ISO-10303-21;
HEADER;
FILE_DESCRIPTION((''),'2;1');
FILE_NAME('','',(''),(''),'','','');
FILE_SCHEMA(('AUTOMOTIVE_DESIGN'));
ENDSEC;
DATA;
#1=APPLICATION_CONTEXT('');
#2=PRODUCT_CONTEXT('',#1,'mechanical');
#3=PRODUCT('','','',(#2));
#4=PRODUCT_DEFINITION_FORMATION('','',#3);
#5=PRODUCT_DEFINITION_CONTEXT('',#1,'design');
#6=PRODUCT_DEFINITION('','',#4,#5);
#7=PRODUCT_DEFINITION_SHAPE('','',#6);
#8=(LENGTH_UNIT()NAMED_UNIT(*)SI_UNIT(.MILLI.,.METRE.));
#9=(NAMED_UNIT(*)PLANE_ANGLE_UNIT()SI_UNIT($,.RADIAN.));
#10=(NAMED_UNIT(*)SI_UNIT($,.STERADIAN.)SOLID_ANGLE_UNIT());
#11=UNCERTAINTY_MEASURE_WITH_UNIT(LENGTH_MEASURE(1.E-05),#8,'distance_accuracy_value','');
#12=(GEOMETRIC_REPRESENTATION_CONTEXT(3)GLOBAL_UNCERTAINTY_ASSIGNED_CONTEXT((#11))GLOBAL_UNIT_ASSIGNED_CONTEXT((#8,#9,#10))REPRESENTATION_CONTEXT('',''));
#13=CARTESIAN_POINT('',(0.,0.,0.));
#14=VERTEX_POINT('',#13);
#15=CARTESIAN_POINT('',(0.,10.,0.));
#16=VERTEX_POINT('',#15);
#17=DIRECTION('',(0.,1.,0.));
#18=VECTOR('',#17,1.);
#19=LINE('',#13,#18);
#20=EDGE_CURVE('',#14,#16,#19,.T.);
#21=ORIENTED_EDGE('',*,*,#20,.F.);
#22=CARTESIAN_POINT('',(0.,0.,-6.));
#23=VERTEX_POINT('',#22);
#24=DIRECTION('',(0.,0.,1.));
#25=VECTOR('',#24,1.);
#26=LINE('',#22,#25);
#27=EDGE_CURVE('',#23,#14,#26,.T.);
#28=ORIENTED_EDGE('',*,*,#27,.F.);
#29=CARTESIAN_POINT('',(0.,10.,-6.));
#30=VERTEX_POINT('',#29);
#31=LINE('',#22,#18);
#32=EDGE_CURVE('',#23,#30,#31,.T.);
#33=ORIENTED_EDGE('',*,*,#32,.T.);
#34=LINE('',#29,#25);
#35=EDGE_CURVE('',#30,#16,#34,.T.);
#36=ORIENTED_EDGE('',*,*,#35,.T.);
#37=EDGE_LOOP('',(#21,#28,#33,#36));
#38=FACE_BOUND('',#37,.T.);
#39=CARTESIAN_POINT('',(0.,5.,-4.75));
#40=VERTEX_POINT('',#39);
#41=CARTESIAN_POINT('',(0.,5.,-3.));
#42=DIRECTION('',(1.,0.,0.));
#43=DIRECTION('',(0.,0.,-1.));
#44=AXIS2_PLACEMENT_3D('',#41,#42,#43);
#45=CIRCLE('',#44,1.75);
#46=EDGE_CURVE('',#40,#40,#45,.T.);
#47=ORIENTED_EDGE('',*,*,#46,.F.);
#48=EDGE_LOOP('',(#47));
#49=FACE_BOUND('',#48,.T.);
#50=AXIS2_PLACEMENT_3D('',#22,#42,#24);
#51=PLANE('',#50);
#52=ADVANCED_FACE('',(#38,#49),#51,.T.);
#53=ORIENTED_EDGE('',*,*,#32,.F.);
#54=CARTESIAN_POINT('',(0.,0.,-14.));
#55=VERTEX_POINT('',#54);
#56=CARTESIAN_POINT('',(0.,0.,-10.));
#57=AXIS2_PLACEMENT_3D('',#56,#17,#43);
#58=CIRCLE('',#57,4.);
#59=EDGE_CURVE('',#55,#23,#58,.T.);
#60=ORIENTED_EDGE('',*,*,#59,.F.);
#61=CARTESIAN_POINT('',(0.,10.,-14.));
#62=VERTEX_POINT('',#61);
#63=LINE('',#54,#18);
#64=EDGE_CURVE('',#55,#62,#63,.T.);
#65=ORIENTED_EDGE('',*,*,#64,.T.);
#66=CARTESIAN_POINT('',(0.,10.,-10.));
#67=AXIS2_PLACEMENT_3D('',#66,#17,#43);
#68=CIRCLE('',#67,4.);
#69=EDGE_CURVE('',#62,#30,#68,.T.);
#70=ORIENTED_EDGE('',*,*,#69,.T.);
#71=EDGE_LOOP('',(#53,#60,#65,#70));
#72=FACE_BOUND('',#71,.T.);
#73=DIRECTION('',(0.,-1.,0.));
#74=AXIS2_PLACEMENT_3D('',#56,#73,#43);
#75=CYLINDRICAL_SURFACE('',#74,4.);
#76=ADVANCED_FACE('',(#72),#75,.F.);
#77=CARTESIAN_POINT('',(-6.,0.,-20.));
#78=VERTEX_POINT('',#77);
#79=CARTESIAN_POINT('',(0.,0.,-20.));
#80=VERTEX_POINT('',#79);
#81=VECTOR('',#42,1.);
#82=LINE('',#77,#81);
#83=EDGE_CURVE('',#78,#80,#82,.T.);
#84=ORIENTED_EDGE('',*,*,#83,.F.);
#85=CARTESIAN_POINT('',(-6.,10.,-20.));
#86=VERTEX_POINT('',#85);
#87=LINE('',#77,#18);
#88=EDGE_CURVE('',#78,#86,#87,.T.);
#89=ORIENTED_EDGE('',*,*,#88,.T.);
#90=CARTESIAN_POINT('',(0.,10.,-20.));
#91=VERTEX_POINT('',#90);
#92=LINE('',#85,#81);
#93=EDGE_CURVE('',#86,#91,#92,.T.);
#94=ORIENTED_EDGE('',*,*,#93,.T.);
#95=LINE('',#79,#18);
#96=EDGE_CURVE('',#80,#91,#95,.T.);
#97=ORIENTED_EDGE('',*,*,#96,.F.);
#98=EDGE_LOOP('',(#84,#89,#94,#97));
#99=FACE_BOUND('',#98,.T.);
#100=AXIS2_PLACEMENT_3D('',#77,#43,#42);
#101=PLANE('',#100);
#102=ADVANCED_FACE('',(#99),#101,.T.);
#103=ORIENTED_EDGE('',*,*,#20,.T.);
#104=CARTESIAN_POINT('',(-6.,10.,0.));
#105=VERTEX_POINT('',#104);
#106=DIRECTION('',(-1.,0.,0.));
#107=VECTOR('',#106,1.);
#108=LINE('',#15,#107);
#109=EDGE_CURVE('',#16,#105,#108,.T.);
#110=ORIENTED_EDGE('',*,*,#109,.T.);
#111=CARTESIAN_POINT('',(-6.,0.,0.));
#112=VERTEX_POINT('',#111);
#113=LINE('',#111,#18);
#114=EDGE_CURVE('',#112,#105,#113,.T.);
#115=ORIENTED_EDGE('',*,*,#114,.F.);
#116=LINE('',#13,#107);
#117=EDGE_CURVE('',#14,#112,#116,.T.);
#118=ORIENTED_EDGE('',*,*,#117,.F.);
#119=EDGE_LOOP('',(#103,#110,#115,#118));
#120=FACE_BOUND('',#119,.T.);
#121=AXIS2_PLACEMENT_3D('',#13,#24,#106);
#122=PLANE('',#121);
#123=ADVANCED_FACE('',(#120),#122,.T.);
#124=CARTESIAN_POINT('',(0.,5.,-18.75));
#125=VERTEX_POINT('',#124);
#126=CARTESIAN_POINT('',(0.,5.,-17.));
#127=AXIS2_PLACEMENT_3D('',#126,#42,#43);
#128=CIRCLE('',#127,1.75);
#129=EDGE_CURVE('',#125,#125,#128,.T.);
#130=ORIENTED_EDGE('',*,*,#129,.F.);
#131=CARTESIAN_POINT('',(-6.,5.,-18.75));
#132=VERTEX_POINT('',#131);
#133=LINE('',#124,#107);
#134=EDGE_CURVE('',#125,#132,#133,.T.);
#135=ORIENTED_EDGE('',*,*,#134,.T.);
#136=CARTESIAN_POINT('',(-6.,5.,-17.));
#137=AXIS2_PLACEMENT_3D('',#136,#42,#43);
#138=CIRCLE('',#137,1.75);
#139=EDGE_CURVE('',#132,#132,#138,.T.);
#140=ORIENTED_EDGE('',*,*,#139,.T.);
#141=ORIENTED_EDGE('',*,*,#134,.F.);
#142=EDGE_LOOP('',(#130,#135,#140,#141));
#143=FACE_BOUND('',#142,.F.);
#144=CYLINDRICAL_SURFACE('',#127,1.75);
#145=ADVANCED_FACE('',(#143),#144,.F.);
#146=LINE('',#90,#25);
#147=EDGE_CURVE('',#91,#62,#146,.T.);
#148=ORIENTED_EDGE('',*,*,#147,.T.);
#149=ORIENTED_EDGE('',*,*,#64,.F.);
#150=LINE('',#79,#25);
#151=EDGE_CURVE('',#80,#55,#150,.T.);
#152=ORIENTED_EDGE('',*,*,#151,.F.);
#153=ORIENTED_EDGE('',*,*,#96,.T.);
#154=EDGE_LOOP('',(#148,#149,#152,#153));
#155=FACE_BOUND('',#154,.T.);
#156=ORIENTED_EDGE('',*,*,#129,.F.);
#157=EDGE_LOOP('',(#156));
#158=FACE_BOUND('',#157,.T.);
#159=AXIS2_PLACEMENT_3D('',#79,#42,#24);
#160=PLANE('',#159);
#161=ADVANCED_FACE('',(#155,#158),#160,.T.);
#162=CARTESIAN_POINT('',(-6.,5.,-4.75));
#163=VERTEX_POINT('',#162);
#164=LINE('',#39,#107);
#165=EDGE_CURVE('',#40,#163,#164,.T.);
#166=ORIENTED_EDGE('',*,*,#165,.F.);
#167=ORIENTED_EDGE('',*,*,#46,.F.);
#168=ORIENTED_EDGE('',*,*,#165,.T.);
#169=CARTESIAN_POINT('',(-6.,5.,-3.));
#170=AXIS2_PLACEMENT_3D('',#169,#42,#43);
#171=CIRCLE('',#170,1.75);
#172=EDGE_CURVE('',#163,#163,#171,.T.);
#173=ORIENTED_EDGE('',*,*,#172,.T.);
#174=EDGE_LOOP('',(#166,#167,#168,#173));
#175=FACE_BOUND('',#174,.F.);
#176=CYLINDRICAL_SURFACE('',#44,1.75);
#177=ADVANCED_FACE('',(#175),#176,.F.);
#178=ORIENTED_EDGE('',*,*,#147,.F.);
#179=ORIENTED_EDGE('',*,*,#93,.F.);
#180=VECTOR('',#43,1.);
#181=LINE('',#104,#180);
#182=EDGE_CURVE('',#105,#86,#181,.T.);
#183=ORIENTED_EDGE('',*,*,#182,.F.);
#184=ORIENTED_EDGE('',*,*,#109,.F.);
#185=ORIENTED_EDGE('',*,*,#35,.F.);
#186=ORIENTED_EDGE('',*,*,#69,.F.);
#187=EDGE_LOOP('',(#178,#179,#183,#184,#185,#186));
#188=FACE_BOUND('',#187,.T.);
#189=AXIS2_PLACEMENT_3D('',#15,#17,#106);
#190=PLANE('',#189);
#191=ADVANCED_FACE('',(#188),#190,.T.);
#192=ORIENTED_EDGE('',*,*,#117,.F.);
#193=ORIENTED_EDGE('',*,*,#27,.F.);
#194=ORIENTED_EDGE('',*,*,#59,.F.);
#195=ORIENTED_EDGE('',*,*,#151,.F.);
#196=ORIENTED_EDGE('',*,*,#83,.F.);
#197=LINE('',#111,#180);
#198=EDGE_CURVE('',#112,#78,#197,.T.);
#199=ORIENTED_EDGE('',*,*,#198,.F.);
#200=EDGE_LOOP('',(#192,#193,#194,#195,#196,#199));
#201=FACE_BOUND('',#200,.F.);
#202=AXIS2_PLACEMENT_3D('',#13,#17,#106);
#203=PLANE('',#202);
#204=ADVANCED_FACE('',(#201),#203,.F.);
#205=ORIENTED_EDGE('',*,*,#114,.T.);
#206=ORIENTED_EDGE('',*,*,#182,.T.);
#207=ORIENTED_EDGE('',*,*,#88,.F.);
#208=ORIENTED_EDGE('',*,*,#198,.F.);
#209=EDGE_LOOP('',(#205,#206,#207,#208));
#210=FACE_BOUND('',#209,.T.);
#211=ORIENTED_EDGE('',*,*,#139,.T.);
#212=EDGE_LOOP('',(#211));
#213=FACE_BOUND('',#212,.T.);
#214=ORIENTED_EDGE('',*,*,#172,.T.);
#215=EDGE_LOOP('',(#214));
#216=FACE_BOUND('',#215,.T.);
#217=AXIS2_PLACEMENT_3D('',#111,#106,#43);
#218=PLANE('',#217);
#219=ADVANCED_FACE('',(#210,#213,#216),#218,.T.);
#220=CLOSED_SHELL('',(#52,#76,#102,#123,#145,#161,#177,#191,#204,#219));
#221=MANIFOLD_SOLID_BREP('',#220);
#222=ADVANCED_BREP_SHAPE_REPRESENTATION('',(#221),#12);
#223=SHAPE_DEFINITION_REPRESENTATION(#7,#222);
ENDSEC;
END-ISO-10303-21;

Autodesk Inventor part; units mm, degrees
ref_plane "YZ Plane" through (0, 0, 0) normal (1, 0, 0) x (0, 1, 0)
ref_plane "XZ Plane" through (0, 0, 0) normal (0, 1, 0) x (-1, 0, 0)
ref_plane "XY Plane" through (0, 0, 0) normal (0, 0, 1) x (1, 0, 0)
sketch "Sketch1" plane through (0, 0, 0) normal (0, 1, 0) x (-1, 0, 0)
  line L0 (0, 0) -> (6, 0)
  line L1 (6, 0) -> (6, -20)
  line L2 (6, -20) -> (0, -20)
  arc A0 (0, -14) -> (0, -6) centre (0, -10) ccw
  line L3 (0, -20) -> (0, -14)
  line L4 (0, -6) -> (0, 0)
  dimension "d0" = 6
  dimension "d1" = 20
  dimension "d2" = 6
  dimension "d3" = 20
  dimension "d8" = 8
  dimension "d11" = 90
  dimension "d14" = 6
  dimension "d15" = 6
extrude "Extrusion1" add sketch "Sketch1" along normal blind 10
sketch "Sketch2" plane through (0, 0, 0) normal (1, 0, 0) x (0, 0, -1)
  line L0 (20, 0) -> (14, 0) projected
  line L1 (20, 0) -> (20, 10) projected
  line L2 (14, 10) -> (20, 10) projected
  line L3 (14, 0) -> (14, 10) projected
  line L4 (6, 0) -> (0, 0) projected
  line L5 (6, 0) -> (6, 10) projected
  line L6 (0, 10) -> (6, 10) projected
  line L7 (0, 0) -> (0, 10) projected
  circle A0 centre (17, 5) radius 1.75
  circle A1 centre (3, 5) radius 1.75
  dimension "d17" = 3.5
  dimension "d18" = 3.5
  dimension "d20" = 14
  dimension "d21" = 5
  dimension "d22" = 3
  dimension "d23" = 5
extrude "Extrusion2" cut sketch "Sketch2" against normal through all contours A0 | A1
properties part number "reverse gear connecting rod 1"
